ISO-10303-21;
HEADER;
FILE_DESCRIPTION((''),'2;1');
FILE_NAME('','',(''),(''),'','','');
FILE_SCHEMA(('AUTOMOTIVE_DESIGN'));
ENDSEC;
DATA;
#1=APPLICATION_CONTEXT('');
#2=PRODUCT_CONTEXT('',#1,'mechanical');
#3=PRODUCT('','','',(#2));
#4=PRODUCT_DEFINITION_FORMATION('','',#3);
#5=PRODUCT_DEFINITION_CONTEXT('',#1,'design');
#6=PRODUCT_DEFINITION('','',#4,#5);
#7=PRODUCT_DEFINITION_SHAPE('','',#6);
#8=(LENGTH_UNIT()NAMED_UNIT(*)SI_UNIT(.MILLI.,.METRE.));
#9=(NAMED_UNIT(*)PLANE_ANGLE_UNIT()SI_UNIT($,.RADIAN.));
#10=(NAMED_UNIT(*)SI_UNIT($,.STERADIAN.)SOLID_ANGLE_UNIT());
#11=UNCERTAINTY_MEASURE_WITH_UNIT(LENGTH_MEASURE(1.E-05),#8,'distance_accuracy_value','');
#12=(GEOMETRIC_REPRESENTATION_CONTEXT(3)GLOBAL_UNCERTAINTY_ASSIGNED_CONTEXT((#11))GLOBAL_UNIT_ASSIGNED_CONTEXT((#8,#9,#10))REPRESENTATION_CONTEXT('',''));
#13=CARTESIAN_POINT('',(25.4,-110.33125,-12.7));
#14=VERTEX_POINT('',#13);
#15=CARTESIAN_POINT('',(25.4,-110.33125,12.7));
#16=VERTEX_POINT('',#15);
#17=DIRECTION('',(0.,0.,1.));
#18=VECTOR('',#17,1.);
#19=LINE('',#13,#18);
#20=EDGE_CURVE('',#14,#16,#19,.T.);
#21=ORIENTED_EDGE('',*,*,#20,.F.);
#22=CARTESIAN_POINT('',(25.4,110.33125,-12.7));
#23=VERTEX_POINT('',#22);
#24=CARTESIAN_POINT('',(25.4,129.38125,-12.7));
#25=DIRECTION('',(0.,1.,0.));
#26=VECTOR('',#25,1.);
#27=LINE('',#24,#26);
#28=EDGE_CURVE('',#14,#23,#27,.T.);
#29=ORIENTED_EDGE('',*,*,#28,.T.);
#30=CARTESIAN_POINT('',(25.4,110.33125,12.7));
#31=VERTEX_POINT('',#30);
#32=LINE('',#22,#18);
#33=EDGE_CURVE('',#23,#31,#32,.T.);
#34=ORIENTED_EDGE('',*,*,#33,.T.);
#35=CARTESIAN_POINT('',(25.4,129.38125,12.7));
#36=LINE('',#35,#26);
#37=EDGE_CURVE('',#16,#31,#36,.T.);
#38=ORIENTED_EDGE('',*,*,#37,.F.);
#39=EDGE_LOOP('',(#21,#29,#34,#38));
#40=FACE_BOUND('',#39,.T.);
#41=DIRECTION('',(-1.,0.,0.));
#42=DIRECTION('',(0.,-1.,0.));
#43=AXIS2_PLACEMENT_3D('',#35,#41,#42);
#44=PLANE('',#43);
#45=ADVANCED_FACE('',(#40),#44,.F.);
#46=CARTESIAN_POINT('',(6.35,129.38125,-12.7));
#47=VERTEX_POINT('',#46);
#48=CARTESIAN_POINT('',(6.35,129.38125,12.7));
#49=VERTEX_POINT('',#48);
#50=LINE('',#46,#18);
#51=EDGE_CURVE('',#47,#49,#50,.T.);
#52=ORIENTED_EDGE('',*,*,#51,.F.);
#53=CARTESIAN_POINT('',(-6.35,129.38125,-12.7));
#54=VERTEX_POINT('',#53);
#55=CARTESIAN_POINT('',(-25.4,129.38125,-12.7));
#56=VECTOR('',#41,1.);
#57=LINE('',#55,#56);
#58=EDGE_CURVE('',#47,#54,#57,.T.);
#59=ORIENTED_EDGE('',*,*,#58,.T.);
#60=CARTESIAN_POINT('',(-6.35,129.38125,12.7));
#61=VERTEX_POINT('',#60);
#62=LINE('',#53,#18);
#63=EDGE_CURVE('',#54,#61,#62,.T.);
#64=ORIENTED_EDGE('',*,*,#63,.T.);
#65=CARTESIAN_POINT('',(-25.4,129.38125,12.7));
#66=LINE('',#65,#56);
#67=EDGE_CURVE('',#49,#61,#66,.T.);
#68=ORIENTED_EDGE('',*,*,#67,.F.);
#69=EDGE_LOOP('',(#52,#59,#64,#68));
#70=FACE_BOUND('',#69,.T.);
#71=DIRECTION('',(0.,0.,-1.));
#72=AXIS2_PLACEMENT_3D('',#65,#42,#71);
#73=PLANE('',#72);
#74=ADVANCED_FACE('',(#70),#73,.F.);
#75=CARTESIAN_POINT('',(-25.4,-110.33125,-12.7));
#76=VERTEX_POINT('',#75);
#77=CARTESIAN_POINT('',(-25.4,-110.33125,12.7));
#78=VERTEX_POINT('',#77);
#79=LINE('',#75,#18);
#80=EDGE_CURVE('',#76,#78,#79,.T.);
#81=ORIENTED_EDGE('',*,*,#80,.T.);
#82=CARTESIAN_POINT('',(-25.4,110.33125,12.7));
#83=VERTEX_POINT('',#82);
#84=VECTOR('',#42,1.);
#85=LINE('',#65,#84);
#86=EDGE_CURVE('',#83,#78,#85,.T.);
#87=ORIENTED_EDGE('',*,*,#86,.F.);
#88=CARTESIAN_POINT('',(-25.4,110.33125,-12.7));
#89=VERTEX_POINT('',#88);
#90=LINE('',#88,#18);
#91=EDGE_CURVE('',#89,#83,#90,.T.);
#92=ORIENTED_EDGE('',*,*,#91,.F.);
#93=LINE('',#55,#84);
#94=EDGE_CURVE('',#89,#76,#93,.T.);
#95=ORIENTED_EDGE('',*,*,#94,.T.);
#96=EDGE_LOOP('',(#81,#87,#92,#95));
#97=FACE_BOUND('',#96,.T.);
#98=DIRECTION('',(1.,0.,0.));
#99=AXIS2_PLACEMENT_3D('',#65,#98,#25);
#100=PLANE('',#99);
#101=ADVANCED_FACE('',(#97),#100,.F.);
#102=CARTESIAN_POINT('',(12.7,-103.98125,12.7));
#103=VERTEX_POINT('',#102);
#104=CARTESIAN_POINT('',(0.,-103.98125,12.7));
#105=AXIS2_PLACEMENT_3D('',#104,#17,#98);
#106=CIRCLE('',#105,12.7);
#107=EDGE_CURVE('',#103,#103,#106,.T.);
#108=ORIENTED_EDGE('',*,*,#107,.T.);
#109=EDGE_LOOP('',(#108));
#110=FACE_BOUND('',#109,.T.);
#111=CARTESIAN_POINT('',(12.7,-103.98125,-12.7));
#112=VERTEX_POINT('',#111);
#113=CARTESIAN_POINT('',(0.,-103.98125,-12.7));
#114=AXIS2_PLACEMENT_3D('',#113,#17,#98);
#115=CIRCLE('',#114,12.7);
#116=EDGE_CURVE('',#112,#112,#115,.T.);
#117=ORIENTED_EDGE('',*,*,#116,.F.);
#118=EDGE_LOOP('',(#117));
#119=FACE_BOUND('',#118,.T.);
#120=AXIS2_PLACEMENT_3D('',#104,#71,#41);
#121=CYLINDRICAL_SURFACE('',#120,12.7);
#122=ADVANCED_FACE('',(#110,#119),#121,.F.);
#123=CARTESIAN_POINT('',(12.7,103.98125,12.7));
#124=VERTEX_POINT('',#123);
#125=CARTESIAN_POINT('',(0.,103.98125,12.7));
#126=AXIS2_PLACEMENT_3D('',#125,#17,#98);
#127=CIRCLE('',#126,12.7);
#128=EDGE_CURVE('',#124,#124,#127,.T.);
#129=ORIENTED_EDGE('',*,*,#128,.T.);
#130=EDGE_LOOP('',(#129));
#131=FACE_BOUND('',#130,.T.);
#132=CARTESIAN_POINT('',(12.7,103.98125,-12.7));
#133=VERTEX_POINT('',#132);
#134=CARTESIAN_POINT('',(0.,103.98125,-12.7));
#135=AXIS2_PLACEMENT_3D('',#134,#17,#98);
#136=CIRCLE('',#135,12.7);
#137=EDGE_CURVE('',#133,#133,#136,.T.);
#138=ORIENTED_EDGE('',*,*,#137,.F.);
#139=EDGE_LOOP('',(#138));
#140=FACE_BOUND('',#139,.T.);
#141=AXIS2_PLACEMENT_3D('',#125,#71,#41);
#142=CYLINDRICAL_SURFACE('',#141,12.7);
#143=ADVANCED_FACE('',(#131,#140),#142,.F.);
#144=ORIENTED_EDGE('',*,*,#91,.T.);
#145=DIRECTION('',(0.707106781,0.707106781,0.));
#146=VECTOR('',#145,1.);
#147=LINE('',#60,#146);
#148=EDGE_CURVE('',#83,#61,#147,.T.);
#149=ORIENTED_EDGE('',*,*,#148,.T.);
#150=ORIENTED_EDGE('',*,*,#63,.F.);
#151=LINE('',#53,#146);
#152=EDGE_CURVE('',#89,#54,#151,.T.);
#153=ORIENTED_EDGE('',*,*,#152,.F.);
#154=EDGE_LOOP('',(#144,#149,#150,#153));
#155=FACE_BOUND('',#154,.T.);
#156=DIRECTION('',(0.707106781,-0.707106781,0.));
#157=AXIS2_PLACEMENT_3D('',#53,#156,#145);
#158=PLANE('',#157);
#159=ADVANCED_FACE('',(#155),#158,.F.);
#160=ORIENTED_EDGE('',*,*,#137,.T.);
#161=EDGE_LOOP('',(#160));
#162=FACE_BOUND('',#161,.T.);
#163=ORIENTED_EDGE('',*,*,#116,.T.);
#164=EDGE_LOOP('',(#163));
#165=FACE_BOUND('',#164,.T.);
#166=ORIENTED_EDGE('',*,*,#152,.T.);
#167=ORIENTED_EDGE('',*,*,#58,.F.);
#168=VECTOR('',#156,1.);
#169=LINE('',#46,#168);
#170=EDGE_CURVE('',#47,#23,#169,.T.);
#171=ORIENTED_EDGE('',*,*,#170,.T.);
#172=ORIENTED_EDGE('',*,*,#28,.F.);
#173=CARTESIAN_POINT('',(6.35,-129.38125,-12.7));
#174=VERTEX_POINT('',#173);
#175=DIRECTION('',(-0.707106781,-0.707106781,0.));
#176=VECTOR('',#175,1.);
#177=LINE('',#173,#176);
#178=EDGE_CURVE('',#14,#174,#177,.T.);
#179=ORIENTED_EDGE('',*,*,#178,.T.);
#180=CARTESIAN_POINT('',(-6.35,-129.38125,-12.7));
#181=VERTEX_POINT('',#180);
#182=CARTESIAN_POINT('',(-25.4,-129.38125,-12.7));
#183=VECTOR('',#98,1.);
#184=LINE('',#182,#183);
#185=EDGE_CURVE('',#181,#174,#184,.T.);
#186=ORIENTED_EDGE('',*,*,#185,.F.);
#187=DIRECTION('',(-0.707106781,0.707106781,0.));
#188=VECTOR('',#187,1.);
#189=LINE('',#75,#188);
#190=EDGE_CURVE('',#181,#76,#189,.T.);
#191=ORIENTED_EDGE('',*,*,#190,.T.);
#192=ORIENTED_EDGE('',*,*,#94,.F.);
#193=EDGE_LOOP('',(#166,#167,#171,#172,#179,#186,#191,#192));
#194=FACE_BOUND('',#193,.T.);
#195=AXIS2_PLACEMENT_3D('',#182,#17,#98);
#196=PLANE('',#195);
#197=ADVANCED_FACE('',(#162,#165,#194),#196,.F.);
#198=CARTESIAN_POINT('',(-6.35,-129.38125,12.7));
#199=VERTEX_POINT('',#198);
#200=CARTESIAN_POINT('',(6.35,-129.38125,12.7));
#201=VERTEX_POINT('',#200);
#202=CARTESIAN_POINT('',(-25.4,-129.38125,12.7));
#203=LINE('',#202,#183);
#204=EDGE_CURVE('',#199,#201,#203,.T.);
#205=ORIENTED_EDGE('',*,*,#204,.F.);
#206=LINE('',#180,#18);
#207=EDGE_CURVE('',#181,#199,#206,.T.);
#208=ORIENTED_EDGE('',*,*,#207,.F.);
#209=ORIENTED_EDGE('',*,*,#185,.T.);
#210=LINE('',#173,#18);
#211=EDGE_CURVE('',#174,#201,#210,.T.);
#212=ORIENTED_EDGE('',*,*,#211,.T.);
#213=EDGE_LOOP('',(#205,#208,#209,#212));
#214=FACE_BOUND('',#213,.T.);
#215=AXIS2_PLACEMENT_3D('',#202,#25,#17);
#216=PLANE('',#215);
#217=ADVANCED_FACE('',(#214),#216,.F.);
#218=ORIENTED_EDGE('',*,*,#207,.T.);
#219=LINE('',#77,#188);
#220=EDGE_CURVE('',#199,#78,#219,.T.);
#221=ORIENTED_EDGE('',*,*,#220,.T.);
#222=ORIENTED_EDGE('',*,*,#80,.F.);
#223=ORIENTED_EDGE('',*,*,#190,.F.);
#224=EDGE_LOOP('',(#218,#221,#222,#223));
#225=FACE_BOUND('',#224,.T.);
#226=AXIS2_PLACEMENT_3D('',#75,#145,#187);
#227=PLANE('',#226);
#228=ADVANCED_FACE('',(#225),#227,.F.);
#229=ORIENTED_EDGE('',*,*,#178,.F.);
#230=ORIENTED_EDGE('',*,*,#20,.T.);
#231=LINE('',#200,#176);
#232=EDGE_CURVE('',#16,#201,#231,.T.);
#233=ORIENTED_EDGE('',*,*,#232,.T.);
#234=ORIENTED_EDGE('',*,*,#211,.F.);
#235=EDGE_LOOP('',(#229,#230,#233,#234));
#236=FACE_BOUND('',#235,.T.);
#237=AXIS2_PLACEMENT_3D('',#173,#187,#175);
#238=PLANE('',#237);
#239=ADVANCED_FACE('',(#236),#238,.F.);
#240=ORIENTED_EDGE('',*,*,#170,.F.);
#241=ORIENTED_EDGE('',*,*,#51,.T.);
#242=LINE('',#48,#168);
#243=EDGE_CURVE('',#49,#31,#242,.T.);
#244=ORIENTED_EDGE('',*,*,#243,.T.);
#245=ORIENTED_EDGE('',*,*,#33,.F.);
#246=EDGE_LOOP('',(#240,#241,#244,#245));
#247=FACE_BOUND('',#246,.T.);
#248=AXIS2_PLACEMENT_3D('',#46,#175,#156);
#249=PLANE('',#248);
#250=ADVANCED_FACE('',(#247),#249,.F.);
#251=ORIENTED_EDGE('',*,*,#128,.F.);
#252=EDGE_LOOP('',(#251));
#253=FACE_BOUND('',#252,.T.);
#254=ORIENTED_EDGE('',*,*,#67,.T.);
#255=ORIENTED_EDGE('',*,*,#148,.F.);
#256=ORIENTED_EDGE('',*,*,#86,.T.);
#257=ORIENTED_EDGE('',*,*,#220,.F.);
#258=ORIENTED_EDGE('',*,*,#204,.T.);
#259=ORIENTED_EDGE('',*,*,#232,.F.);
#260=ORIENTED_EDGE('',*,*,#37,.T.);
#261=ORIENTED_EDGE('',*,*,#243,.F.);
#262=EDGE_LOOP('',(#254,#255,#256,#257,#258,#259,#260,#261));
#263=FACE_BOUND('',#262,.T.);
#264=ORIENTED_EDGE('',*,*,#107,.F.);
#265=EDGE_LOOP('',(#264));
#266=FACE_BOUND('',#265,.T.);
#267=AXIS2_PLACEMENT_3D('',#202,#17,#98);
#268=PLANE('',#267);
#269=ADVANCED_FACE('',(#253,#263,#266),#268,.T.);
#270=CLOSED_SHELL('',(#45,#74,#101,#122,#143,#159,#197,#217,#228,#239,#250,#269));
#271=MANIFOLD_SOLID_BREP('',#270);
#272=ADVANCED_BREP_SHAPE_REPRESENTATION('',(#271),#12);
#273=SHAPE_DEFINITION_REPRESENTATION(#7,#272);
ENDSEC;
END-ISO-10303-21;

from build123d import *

# Parameters (mm, degrees)
SKETCH1_W          = 50.8
SKETCH1_H          = 258.7625
SKETCH1_R          = 12.7
EXTRUDE1_DEPTH     = 12.7
CUT_EXTRUDE1_DEPTH = 135.275194476


with BuildPart() as part:
    # Sketch1 → Extrude1 (new, symmetric)
    with BuildSketch(Plane.XY):
        Rectangle(SKETCH1_W, SKETCH1_H)
        with Locations((0, 103.98125)):
            Circle(SKETCH1_R, mode=Mode.SUBTRACT)
        with Locations((0, -103.98125)):
            Circle(SKETCH1_R, mode=Mode.SUBTRACT)
    extrude(amount=EXTRUDE1_DEPTH, both=True)

    # Sketch2 → Cut-Extrude1 (cut, through all)
    with BuildSketch(Plane.XY.offset(12.7)):
        Polygon((-6.35, 129.38125), (-25.4, 110.33125), (-25.4, 129.38125), align=None)
        Polygon((6.35, 129.38125), (25.4, 110.33125), (25.4, 129.38125), align=None)
        Polygon((-25.4, -110.33125), (-6.35, -129.38125), (-25.4, -129.38125), align=None)
        Polygon((25.4, -110.33125), (25.4, -129.38125), (6.35, -129.38125), align=None)
    extrude(amount=-CUT_EXTRUDE1_DEPTH, mode=Mode.SUBTRACT)


solid = part.part
